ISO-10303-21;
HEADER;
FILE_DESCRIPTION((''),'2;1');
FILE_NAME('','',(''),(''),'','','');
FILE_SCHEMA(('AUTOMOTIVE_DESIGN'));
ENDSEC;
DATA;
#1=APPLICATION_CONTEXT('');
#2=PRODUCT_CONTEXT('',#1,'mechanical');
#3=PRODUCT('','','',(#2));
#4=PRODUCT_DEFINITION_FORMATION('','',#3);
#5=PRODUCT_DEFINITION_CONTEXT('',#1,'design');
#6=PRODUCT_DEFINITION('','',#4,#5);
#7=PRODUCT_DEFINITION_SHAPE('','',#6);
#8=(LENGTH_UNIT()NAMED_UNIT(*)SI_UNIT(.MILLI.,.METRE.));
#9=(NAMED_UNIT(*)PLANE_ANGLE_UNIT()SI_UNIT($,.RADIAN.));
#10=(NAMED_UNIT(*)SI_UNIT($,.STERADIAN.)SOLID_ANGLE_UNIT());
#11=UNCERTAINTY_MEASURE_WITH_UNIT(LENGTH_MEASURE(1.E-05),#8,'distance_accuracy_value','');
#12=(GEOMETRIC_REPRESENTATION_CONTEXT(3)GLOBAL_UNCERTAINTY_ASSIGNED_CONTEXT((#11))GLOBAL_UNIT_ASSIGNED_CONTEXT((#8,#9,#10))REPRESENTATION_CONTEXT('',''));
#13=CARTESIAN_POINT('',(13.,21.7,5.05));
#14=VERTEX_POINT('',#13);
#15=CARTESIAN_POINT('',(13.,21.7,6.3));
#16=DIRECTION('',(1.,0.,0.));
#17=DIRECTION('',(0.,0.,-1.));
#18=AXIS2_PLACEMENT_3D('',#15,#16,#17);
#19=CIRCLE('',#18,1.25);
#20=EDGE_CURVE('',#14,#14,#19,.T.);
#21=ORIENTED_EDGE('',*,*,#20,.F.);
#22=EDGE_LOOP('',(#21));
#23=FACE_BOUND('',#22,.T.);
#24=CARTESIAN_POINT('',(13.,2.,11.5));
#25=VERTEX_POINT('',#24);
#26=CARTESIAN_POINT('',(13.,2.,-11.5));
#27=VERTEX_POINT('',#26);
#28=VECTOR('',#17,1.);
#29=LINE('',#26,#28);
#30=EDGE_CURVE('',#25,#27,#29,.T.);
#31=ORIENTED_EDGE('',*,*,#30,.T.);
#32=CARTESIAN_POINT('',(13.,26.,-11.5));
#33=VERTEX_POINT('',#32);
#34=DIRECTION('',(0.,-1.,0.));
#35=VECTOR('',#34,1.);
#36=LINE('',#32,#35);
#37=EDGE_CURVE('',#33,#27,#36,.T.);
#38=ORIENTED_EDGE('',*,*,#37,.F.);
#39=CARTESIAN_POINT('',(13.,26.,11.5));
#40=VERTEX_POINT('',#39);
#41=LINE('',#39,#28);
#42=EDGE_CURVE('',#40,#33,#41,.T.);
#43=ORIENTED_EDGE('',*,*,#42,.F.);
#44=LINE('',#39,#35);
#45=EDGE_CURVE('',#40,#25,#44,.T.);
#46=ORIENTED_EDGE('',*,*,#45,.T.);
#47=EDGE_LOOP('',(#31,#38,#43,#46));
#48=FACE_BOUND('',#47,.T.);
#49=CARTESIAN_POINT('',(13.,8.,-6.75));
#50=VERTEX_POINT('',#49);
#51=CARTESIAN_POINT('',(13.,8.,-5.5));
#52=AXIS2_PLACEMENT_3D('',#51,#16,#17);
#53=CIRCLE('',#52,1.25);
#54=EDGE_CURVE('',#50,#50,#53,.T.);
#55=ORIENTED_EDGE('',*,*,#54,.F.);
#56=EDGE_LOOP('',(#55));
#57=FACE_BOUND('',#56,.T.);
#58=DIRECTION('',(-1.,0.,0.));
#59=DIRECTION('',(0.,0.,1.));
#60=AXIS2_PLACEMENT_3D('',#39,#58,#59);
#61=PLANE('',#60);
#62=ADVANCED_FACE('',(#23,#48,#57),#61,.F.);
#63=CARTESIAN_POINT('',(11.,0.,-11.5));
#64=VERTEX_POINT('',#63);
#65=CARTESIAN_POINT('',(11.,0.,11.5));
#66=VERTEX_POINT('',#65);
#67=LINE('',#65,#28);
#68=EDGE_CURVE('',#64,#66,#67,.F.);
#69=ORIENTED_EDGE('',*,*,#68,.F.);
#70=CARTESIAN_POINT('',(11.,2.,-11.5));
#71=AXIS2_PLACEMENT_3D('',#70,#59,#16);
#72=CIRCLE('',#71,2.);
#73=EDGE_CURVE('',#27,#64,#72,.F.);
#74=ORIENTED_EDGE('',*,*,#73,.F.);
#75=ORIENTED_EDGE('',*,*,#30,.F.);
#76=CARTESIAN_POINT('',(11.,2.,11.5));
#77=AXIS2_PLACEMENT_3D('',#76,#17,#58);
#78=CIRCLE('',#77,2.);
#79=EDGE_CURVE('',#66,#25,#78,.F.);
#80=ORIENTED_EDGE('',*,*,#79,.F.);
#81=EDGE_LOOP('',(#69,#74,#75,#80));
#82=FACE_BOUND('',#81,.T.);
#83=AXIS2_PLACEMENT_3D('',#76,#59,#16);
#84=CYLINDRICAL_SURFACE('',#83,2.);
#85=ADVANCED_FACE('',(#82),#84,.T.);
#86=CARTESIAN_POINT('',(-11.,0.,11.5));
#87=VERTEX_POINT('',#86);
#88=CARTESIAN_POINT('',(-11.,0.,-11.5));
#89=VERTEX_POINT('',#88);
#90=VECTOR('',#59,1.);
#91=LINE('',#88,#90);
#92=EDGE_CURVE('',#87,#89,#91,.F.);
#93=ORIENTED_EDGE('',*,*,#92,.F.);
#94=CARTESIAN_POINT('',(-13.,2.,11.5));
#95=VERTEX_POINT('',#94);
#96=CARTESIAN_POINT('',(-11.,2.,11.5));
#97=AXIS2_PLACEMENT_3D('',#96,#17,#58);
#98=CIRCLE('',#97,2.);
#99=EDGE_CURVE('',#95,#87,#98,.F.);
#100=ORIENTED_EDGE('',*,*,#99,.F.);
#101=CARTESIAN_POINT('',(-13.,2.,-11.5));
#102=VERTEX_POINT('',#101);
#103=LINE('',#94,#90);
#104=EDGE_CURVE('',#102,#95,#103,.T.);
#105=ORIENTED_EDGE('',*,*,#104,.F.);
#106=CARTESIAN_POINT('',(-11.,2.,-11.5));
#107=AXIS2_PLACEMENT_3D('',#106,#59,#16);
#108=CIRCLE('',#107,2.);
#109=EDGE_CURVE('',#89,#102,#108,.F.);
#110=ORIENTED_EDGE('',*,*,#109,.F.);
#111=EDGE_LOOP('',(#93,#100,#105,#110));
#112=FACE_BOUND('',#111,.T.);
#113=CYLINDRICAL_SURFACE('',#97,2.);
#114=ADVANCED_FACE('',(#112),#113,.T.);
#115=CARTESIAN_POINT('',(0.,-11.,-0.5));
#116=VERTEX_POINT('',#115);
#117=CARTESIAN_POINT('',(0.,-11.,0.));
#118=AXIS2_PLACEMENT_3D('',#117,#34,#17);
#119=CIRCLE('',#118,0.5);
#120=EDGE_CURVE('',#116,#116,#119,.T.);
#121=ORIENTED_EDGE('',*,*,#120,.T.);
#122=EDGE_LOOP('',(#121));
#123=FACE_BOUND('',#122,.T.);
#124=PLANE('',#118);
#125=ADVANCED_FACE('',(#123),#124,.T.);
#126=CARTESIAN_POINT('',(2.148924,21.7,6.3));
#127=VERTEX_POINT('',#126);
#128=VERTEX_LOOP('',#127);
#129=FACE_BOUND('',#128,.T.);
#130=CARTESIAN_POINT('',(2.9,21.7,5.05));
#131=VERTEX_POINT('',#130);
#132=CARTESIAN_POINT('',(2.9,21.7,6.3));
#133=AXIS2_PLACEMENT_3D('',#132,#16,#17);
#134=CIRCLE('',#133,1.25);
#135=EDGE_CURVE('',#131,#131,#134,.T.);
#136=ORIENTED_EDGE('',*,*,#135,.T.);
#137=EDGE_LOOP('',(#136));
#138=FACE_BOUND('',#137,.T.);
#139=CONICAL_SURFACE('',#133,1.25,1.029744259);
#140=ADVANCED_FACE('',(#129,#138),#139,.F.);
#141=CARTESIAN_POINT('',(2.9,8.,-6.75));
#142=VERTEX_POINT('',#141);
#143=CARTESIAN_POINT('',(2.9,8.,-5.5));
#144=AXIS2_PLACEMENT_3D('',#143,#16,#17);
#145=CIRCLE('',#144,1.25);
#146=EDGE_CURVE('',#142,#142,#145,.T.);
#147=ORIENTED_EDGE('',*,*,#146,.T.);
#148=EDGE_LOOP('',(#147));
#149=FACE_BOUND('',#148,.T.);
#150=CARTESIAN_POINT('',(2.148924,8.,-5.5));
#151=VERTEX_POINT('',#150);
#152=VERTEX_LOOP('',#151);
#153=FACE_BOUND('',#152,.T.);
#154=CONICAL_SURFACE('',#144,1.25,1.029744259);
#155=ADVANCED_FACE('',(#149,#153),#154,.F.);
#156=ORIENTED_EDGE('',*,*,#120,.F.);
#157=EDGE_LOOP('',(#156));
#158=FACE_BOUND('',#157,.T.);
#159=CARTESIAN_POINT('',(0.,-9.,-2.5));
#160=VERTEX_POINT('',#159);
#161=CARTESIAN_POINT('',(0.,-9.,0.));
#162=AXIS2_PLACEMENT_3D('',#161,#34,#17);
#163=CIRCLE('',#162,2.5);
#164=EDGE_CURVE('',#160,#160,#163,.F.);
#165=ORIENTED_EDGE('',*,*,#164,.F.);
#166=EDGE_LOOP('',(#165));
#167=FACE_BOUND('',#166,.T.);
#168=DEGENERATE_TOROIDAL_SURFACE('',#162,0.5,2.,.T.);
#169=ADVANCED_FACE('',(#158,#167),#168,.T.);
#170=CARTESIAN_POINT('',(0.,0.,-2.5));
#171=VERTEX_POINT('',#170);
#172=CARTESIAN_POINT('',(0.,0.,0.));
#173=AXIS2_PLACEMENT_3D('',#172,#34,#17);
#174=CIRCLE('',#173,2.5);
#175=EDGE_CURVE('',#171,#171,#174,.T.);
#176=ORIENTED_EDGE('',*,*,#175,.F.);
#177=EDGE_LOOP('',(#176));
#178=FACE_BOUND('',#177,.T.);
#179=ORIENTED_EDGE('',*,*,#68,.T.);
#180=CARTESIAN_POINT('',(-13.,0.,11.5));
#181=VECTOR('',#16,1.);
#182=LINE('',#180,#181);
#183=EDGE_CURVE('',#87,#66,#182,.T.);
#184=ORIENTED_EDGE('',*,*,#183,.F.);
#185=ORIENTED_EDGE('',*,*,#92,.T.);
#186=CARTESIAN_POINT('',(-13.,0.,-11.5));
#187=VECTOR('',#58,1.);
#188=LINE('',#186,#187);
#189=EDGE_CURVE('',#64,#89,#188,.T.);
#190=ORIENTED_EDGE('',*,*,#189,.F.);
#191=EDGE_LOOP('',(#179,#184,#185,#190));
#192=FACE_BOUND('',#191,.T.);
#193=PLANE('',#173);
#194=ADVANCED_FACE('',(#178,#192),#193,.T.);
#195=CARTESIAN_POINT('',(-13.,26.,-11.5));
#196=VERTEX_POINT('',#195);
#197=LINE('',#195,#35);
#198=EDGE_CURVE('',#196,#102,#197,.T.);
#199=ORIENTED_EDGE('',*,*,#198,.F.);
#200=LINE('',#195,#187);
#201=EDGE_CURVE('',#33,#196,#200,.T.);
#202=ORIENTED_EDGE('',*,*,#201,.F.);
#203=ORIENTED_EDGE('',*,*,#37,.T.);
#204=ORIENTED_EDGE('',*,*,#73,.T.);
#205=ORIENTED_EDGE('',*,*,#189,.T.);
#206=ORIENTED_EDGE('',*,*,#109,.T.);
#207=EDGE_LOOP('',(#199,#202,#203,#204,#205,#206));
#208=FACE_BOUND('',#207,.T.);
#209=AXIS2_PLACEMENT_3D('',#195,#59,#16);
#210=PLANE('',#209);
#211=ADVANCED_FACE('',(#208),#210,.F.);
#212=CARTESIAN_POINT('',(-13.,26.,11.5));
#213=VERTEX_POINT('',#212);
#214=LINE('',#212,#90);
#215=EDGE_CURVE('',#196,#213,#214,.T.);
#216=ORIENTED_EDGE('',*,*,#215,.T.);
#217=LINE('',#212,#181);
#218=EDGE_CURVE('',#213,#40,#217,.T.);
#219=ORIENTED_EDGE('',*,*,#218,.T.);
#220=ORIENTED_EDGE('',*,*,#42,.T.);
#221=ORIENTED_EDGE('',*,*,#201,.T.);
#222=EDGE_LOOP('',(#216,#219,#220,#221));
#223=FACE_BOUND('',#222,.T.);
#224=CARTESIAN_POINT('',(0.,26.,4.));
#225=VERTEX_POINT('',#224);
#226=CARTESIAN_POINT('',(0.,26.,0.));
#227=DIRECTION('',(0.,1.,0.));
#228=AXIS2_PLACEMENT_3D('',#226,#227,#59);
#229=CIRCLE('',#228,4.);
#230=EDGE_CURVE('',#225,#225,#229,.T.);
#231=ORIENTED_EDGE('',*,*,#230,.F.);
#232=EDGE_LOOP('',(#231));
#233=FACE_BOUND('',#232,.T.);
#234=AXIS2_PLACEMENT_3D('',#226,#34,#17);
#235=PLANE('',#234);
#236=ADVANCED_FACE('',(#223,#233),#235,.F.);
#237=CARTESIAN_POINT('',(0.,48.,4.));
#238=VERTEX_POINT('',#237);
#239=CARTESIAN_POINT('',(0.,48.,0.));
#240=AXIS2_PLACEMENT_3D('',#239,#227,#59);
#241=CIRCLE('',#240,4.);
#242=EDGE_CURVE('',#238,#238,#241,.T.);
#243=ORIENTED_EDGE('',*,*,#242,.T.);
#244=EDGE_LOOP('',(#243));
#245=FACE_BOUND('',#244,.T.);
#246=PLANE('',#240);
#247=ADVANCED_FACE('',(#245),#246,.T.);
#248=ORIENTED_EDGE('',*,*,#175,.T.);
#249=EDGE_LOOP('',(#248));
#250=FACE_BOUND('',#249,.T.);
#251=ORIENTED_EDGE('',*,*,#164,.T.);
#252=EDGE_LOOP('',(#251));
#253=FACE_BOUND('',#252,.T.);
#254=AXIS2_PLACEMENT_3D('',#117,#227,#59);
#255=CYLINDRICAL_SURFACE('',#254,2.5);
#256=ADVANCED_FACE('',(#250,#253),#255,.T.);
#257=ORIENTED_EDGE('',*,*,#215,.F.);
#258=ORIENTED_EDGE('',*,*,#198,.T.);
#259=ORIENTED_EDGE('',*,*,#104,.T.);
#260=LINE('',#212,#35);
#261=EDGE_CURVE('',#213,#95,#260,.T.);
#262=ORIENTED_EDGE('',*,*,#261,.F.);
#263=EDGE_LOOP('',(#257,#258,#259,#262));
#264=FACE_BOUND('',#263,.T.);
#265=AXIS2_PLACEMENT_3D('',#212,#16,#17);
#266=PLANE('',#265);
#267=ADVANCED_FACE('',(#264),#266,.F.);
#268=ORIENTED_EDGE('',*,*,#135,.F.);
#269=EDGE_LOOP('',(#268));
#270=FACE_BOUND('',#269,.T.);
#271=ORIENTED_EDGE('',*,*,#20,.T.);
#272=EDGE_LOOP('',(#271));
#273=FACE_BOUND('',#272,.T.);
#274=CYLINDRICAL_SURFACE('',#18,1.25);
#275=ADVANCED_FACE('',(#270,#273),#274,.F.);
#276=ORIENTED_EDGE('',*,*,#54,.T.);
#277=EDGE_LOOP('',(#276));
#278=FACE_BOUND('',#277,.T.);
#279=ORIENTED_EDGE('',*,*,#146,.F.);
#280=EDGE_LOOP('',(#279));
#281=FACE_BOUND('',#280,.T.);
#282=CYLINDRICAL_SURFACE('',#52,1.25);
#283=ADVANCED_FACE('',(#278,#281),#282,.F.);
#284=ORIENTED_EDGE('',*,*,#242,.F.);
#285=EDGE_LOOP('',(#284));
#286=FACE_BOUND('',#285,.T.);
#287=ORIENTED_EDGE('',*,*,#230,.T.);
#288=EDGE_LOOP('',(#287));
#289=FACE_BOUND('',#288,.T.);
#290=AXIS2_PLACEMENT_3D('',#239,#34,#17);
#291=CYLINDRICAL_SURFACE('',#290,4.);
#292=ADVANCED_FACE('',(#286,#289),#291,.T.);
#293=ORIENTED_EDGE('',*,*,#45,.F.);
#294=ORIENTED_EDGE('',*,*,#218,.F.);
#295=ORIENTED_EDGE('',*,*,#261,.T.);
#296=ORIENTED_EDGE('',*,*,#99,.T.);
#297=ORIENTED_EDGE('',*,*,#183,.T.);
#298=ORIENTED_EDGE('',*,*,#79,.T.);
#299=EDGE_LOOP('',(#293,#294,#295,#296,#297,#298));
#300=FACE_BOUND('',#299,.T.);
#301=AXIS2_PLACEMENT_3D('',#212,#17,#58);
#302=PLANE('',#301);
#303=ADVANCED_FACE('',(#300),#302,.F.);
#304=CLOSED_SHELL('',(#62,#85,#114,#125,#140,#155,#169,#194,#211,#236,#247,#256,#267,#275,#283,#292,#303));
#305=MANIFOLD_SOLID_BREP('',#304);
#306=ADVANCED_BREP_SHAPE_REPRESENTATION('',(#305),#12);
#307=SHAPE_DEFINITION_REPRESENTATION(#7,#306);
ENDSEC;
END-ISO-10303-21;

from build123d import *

# Parameters (mm, degrees)
SKETCH1_W             = 26
SKETCH1_H             = 23
BOSS_EXTRUDE1_DEPTH   = 26
M3_TAPPED_HOLE1_D     = 2.5
M3_TAPPED_HOLE1_DEPTH = 10.1
M3_TAPPED_HOLE1_TIP   = 0.751075774
FILLET1_R             = 2
SKETCH5_R             = 4
BOSS_EXTRUDE2_DEPTH   = 22
SKETCH6_R             = 2.5
BOSS_EXTRUDE3_DEPTH   = 11
FILLET2_R             = 2


with BuildPart() as part:
    # Sketch1 → Boss-Extrude1 (new body)
    with BuildSketch(Plane(origin=(0, 0, 0), x_dir=(1, 0, 0), z_dir=(0, 1, 0))):
        Rectangle(SKETCH1_W, SKETCH1_H)
    extrude(amount=BOSS_EXTRUDE1_DEPTH)

    # M3 Tapped Hole1
    with Locations(Plane(origin=(13, 0, 0), x_dir=(0, 0, -1), z_dir=(1, 0, 0))):
        with Locations((-6.3, 21.7), (5.5, 8)):
            Hole(M3_TAPPED_HOLE1_D / 2, depth=M3_TAPPED_HOLE1_DEPTH)
            with Locations((0, 0, -(M3_TAPPED_HOLE1_DEPTH + M3_TAPPED_HOLE1_TIP / 2))):  # 118° drill point
                Cone(0, M3_TAPPED_HOLE1_D / 2, M3_TAPPED_HOLE1_TIP, mode=Mode.SUBTRACT)

    # Fillet1
    fillet1_edges = [part.edges().sort_by_distance(p)[0] for p in [
        (-13, 0, 0),
        (13, 0, 0),
    ]]
    fillet(fillet1_edges, radius=FILLET1_R)

    # Sketch5 → Boss-Extrude2 (add)
    with BuildSketch(Plane(origin=(0, 26, 0), x_dir=(1, 0, 0), z_dir=(0, 1, 0))):
        with Locations(Location((0, 0, 0), (0, 0, 270))):
            Circle(SKETCH5_R)
    extrude(amount=BOSS_EXTRUDE2_DEPTH)

    # Sketch6 → Boss-Extrude3 (add)
    with BuildSketch(Plane.XZ):
        with Locations(Location((0, 0, 0), (0, 0, 270))):
            Circle(SKETCH6_R)
    extrude(amount=BOSS_EXTRUDE3_DEPTH)

    # Fillet2
    fillet2_edges = [part.edges().sort_by_distance(p)[0] for p in [
        (0, -11, 2.5),
    ]]
    fillet(fillet2_edges, radius=FILLET2_R)


solid = part.part
